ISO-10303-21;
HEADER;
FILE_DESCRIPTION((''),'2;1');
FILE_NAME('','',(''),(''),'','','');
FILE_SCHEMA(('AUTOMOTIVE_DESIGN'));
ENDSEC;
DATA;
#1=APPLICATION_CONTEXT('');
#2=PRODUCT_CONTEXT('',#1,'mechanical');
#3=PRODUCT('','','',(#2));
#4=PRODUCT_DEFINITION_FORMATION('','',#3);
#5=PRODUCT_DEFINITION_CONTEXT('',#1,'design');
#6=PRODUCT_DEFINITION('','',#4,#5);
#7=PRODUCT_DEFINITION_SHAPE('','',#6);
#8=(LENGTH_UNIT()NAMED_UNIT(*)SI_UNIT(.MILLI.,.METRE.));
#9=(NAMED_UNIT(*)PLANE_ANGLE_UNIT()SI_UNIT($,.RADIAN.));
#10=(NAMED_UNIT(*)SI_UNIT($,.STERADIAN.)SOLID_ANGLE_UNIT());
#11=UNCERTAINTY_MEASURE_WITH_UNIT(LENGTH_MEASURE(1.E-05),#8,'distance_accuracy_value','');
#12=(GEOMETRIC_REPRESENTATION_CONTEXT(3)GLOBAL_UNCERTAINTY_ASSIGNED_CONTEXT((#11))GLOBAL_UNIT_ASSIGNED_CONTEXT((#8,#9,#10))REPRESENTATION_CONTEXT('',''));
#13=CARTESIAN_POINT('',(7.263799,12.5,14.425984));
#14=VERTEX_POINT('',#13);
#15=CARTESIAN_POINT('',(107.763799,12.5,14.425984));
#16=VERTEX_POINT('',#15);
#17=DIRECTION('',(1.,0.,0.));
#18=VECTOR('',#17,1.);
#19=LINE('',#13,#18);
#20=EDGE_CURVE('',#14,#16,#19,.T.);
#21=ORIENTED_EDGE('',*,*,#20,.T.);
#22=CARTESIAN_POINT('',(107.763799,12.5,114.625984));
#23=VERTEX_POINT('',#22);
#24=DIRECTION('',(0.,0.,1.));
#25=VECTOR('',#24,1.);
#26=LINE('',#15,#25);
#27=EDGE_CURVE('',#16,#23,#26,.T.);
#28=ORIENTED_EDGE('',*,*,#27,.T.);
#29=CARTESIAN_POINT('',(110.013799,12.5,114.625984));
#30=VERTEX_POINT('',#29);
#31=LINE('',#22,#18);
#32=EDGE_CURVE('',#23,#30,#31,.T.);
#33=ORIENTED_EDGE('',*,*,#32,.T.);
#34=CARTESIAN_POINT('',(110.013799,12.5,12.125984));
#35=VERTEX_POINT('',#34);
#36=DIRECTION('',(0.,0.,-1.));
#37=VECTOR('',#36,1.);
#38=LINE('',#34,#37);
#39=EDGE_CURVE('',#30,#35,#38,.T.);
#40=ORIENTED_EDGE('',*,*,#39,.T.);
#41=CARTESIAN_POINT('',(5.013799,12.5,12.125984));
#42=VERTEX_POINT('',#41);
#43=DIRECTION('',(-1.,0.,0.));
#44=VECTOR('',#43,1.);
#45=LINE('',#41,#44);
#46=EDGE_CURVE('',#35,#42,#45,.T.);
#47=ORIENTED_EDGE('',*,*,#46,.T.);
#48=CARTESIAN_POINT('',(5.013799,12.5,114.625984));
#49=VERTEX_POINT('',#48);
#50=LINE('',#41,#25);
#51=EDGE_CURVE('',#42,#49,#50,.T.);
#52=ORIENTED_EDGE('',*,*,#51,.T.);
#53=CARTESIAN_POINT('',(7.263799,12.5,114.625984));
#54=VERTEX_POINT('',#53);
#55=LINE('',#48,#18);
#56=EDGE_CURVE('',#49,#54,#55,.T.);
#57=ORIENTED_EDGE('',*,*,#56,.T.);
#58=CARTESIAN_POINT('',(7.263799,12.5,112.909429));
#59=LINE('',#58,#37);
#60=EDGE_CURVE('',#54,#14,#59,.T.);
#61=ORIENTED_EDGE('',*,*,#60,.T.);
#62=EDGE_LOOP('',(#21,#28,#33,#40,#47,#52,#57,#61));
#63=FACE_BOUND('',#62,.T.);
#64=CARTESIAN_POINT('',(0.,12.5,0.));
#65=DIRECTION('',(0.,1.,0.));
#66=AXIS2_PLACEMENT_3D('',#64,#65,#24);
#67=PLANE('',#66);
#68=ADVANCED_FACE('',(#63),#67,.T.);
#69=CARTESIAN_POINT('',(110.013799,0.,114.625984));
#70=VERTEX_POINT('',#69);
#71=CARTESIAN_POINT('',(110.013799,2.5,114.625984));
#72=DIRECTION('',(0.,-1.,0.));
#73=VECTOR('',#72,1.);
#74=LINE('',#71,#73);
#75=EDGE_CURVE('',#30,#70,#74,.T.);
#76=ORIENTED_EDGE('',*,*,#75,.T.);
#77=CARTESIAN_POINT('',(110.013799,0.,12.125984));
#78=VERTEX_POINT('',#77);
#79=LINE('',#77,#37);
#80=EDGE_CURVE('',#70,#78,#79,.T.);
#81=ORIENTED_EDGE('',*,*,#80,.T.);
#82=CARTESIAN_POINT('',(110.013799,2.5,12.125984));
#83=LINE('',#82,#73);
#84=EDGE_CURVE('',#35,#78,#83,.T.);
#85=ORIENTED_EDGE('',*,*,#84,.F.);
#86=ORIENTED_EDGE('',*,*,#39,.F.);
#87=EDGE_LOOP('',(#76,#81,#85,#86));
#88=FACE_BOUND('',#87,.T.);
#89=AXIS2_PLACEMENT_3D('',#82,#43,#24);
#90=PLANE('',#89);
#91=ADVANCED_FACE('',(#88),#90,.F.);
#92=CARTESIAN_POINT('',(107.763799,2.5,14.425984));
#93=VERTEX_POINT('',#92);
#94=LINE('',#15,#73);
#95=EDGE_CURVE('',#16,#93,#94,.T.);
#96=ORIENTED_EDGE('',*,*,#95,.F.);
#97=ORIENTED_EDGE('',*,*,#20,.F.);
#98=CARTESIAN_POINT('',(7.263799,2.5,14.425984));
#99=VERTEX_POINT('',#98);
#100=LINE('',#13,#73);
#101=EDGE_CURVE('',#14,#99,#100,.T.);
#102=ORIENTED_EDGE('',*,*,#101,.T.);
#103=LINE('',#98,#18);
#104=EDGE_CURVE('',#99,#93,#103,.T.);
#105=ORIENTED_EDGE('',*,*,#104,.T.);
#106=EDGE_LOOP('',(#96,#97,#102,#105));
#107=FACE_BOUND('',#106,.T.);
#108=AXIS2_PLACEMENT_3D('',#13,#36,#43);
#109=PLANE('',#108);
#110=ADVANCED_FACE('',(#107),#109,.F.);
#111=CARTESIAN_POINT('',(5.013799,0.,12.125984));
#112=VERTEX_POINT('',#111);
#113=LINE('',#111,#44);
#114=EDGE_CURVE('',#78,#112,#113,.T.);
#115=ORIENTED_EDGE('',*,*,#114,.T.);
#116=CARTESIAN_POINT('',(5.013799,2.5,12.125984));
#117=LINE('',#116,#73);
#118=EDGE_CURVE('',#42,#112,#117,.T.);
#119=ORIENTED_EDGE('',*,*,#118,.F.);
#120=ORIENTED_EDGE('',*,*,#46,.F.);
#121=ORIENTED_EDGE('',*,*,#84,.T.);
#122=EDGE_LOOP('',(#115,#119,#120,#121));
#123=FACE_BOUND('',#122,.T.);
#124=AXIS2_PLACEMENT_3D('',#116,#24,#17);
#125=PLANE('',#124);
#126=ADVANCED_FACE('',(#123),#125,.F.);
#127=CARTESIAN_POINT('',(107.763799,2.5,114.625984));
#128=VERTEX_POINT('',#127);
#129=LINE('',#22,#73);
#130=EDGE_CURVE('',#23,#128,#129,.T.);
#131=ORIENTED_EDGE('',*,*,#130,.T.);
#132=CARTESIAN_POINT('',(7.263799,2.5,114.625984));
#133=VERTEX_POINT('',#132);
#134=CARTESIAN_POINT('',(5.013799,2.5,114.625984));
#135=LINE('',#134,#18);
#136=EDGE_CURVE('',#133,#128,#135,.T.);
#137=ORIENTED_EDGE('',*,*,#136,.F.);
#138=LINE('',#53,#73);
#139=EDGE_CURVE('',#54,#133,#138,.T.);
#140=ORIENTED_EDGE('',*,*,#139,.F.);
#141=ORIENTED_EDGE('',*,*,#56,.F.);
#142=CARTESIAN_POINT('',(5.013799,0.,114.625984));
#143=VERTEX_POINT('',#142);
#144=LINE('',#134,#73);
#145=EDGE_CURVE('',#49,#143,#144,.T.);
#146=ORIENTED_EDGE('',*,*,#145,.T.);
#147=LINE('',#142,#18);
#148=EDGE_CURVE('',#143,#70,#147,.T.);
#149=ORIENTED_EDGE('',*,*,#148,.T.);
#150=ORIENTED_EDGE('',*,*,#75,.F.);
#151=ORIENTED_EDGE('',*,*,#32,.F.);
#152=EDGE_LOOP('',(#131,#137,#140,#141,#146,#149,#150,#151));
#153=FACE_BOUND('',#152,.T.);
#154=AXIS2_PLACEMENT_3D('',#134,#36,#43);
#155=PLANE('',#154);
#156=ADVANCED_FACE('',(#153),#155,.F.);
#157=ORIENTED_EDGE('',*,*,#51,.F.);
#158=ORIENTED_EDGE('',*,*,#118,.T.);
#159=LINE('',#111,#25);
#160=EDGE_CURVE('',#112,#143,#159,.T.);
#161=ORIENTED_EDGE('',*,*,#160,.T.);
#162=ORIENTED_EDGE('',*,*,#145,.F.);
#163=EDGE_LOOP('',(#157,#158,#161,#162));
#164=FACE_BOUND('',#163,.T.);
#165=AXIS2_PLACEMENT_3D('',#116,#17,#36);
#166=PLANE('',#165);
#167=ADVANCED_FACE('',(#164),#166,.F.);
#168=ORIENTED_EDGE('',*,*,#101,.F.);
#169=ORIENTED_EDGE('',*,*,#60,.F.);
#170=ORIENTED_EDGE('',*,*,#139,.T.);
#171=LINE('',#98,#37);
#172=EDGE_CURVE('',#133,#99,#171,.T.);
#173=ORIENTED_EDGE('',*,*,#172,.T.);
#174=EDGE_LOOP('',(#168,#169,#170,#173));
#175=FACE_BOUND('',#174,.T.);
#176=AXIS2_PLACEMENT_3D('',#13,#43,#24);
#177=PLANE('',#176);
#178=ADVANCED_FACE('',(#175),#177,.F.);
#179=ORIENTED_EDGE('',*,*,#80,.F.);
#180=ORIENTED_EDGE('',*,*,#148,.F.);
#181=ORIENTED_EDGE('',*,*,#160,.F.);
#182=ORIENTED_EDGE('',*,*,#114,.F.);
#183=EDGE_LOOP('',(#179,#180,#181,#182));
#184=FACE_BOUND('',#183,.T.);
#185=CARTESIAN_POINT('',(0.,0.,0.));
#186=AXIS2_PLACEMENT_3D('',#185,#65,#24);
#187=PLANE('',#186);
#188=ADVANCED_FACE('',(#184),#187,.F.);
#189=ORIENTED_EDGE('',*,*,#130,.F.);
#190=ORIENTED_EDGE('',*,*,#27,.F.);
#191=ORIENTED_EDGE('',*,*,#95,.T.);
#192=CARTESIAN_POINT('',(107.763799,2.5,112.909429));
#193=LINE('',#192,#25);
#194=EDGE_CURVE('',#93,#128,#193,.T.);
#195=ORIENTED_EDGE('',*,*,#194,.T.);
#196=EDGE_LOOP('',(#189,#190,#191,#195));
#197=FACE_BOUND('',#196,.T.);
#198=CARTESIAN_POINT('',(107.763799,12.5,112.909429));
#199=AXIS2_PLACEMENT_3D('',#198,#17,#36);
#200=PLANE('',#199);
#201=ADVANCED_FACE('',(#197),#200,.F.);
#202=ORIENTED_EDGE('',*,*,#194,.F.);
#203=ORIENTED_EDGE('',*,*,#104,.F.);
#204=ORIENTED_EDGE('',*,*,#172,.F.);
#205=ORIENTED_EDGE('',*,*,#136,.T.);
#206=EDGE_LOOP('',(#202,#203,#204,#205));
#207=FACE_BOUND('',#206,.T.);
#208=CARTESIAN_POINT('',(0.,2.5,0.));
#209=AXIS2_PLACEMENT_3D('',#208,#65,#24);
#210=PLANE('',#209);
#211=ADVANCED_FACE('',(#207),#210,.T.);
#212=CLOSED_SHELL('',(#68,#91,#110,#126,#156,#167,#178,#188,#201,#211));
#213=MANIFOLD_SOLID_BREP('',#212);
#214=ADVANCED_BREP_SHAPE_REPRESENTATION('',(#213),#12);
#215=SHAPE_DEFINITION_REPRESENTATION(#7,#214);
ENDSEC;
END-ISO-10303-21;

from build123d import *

# Parameters (mm, degrees)
SKETCH_1_W      = 105
SKETCH_1_H      = 102.5
EXTRUDE_1_DEPTH = 2.5
EXTRUDE_2_DEPTH = 10


with BuildPart() as part:
    # Эскиз1 → Бобышка-Вытянуть1 (new body)
    with BuildSketch(Plane(origin=(0, 0, 0), x_dir=(1, 0, 0), z_dir=(0, 1, 0))):
        with Locations((57.513799089, -63.375984423)):
            Rectangle(SKETCH_1_W, SKETCH_1_H)
    extrude(amount=EXTRUDE_1_DEPTH)

    # Эскиз2 → Бобышка-Вытянуть2 (add)
    with BuildSketch(Plane(origin=(0, 2.5, 0), x_dir=(1, 0, 0), z_dir=(0, 1, 0))):
        Polygon((5.013799089, -12.125984423), (110.013799089, -12.125984423), (110.013799089, -114.625984423), (107.763799089, -114.625984423), (107.763799089, -112.909428801), (107.763799089, -14.425984423), (7.263799089, -14.425984423), (7.263799089, -112.909428801), (7.263799089, -114.625984423), (5.013799089, -114.625984423), align=None)
    extrude(amount=EXTRUDE_2_DEPTH)


solid = part.part
